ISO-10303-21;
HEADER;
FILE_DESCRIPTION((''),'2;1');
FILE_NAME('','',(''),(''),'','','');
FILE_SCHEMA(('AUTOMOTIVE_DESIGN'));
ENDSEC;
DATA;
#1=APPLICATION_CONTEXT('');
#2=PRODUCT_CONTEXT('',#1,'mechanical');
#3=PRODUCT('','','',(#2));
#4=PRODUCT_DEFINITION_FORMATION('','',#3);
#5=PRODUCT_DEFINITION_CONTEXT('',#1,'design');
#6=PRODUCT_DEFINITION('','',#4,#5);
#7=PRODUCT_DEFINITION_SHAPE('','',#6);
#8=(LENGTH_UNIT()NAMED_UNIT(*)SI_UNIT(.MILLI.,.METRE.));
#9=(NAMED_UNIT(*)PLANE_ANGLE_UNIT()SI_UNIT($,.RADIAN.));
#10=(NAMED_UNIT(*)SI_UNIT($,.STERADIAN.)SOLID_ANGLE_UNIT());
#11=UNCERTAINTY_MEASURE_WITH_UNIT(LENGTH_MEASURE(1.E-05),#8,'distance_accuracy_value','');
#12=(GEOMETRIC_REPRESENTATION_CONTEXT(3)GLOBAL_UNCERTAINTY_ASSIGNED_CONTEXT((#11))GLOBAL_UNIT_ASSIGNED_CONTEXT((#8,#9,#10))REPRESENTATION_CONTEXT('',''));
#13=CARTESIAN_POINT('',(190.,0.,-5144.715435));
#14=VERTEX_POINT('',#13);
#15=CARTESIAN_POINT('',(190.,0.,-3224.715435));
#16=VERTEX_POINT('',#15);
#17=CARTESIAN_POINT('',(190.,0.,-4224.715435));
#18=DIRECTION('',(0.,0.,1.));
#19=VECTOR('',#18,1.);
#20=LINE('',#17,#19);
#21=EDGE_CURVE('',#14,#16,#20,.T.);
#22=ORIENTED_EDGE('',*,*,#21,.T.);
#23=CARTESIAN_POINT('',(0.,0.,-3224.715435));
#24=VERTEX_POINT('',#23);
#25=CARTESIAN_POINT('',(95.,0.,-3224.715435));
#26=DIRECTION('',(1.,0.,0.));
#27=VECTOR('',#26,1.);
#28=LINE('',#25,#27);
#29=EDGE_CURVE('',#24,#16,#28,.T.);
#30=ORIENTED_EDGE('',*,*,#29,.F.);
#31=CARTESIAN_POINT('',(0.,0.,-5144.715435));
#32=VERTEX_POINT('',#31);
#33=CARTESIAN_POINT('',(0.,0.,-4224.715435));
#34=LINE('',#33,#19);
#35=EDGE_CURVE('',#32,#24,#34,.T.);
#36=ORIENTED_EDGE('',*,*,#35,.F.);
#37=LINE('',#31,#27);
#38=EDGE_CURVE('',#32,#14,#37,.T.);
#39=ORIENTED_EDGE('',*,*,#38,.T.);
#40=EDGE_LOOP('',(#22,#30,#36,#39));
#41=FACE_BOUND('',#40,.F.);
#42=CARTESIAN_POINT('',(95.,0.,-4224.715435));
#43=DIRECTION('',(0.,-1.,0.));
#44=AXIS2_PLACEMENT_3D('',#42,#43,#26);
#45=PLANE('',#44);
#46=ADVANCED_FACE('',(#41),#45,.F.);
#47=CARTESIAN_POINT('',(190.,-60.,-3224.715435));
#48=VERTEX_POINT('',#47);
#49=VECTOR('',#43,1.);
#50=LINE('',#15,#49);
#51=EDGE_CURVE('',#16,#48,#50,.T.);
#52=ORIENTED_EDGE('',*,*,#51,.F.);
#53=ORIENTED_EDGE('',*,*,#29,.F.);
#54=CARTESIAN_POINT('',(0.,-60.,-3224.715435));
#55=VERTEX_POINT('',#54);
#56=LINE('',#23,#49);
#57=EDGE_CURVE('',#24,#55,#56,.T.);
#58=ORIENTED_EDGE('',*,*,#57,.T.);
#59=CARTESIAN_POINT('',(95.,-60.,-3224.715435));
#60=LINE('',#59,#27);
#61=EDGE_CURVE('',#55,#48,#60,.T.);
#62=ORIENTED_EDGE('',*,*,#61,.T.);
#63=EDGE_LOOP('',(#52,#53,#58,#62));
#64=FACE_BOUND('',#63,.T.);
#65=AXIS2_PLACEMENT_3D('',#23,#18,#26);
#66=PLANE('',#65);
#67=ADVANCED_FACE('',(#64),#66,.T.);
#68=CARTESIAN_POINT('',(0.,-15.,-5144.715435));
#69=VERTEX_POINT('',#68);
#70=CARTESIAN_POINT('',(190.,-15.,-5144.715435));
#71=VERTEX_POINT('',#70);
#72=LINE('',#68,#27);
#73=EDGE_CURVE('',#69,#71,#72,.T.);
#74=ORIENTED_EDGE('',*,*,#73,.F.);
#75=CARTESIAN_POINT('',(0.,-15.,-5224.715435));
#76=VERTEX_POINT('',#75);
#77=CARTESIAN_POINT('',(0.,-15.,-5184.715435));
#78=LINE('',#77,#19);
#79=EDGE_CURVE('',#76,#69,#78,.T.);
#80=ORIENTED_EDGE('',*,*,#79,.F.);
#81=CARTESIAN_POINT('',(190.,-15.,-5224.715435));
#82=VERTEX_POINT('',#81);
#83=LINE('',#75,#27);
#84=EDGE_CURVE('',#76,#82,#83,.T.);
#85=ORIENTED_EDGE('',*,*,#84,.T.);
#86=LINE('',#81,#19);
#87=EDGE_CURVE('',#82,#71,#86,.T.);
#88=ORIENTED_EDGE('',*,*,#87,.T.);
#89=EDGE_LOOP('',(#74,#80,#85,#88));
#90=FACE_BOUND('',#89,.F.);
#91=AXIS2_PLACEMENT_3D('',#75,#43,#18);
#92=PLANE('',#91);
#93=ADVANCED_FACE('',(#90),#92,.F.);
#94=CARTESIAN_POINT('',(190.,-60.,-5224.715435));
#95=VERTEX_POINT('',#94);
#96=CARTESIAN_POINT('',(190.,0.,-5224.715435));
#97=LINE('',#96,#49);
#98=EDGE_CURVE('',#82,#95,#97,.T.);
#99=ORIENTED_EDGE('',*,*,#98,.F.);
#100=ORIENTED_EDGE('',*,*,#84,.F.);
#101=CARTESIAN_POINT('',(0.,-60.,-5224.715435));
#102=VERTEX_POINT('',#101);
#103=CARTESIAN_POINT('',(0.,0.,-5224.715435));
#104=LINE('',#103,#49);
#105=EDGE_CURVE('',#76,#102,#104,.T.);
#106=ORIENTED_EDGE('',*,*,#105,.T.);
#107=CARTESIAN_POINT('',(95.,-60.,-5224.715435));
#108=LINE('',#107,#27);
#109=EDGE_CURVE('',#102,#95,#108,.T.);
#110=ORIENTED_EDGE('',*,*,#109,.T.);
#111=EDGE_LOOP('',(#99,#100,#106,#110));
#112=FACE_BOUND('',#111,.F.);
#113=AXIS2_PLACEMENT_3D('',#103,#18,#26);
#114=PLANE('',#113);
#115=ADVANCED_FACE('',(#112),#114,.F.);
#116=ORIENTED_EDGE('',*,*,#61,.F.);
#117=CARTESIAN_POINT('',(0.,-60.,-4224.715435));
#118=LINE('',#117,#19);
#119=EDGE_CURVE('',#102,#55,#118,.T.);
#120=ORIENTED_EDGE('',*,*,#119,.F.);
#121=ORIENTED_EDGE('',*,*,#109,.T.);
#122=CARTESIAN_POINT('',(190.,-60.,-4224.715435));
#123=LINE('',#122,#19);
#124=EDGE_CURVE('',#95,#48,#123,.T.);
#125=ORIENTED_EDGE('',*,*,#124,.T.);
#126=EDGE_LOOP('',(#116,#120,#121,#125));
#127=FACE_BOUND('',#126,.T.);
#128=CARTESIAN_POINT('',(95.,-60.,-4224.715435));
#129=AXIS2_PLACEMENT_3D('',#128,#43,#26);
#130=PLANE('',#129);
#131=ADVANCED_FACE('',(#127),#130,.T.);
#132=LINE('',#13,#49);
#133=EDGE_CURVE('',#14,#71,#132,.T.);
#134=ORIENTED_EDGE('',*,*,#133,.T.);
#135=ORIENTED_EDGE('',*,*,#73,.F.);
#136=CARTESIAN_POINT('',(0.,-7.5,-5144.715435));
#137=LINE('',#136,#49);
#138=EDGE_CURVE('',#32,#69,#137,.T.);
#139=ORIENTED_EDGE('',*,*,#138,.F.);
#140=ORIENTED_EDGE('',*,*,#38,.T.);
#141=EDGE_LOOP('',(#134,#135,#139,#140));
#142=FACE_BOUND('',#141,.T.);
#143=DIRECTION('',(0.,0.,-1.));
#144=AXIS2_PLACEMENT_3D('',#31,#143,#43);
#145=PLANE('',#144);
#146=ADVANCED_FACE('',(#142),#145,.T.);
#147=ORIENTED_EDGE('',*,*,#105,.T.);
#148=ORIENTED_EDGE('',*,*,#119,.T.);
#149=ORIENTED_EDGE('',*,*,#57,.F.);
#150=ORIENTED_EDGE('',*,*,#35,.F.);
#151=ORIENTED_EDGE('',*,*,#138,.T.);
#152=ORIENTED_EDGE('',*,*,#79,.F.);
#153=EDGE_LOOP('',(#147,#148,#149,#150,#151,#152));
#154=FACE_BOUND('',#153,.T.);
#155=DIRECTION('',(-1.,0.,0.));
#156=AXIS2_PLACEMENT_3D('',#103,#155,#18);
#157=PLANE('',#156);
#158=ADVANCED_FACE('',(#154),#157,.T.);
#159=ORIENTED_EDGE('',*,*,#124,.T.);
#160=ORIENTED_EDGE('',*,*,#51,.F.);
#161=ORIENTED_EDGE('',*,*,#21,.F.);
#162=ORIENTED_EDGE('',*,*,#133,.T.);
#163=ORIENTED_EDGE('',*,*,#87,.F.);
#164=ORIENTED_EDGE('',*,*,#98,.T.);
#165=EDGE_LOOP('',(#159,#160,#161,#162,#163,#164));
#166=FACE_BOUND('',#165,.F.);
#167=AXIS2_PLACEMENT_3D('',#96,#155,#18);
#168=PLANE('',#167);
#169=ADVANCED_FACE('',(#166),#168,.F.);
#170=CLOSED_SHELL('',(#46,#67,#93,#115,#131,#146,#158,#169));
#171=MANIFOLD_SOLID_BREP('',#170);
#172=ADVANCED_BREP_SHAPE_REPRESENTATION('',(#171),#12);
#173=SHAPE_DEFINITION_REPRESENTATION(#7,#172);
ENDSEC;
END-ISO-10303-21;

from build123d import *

# Parameters (mm, degrees)
F0_W     = 190
F0_H     = 2000
F1_DEPTH = 60
F2_W     = 15
F2_H     = 80
F3_DEPTH = 190.001


with BuildPart() as f1:
    # F0 (on Front) → F1 (new body)
    with BuildSketch(Plane.XZ):
        with Locations((95, -4224.715435)):
            Rectangle(F0_W, F0_H)
    extrude(amount=F1_DEPTH)

    # F2 (on face) → F3 (cut, through all)
    with BuildSketch(Plane(origin=(0, 0, 0), x_dir=(0, -1, 0), z_dir=(-1, 0, 0))):
        with Locations((7.5, -5184.715435)):
            Rectangle(F2_W, F2_H)
    extrude(amount=-F3_DEPTH, mode=Mode.SUBTRACT)


solid = f1.part
